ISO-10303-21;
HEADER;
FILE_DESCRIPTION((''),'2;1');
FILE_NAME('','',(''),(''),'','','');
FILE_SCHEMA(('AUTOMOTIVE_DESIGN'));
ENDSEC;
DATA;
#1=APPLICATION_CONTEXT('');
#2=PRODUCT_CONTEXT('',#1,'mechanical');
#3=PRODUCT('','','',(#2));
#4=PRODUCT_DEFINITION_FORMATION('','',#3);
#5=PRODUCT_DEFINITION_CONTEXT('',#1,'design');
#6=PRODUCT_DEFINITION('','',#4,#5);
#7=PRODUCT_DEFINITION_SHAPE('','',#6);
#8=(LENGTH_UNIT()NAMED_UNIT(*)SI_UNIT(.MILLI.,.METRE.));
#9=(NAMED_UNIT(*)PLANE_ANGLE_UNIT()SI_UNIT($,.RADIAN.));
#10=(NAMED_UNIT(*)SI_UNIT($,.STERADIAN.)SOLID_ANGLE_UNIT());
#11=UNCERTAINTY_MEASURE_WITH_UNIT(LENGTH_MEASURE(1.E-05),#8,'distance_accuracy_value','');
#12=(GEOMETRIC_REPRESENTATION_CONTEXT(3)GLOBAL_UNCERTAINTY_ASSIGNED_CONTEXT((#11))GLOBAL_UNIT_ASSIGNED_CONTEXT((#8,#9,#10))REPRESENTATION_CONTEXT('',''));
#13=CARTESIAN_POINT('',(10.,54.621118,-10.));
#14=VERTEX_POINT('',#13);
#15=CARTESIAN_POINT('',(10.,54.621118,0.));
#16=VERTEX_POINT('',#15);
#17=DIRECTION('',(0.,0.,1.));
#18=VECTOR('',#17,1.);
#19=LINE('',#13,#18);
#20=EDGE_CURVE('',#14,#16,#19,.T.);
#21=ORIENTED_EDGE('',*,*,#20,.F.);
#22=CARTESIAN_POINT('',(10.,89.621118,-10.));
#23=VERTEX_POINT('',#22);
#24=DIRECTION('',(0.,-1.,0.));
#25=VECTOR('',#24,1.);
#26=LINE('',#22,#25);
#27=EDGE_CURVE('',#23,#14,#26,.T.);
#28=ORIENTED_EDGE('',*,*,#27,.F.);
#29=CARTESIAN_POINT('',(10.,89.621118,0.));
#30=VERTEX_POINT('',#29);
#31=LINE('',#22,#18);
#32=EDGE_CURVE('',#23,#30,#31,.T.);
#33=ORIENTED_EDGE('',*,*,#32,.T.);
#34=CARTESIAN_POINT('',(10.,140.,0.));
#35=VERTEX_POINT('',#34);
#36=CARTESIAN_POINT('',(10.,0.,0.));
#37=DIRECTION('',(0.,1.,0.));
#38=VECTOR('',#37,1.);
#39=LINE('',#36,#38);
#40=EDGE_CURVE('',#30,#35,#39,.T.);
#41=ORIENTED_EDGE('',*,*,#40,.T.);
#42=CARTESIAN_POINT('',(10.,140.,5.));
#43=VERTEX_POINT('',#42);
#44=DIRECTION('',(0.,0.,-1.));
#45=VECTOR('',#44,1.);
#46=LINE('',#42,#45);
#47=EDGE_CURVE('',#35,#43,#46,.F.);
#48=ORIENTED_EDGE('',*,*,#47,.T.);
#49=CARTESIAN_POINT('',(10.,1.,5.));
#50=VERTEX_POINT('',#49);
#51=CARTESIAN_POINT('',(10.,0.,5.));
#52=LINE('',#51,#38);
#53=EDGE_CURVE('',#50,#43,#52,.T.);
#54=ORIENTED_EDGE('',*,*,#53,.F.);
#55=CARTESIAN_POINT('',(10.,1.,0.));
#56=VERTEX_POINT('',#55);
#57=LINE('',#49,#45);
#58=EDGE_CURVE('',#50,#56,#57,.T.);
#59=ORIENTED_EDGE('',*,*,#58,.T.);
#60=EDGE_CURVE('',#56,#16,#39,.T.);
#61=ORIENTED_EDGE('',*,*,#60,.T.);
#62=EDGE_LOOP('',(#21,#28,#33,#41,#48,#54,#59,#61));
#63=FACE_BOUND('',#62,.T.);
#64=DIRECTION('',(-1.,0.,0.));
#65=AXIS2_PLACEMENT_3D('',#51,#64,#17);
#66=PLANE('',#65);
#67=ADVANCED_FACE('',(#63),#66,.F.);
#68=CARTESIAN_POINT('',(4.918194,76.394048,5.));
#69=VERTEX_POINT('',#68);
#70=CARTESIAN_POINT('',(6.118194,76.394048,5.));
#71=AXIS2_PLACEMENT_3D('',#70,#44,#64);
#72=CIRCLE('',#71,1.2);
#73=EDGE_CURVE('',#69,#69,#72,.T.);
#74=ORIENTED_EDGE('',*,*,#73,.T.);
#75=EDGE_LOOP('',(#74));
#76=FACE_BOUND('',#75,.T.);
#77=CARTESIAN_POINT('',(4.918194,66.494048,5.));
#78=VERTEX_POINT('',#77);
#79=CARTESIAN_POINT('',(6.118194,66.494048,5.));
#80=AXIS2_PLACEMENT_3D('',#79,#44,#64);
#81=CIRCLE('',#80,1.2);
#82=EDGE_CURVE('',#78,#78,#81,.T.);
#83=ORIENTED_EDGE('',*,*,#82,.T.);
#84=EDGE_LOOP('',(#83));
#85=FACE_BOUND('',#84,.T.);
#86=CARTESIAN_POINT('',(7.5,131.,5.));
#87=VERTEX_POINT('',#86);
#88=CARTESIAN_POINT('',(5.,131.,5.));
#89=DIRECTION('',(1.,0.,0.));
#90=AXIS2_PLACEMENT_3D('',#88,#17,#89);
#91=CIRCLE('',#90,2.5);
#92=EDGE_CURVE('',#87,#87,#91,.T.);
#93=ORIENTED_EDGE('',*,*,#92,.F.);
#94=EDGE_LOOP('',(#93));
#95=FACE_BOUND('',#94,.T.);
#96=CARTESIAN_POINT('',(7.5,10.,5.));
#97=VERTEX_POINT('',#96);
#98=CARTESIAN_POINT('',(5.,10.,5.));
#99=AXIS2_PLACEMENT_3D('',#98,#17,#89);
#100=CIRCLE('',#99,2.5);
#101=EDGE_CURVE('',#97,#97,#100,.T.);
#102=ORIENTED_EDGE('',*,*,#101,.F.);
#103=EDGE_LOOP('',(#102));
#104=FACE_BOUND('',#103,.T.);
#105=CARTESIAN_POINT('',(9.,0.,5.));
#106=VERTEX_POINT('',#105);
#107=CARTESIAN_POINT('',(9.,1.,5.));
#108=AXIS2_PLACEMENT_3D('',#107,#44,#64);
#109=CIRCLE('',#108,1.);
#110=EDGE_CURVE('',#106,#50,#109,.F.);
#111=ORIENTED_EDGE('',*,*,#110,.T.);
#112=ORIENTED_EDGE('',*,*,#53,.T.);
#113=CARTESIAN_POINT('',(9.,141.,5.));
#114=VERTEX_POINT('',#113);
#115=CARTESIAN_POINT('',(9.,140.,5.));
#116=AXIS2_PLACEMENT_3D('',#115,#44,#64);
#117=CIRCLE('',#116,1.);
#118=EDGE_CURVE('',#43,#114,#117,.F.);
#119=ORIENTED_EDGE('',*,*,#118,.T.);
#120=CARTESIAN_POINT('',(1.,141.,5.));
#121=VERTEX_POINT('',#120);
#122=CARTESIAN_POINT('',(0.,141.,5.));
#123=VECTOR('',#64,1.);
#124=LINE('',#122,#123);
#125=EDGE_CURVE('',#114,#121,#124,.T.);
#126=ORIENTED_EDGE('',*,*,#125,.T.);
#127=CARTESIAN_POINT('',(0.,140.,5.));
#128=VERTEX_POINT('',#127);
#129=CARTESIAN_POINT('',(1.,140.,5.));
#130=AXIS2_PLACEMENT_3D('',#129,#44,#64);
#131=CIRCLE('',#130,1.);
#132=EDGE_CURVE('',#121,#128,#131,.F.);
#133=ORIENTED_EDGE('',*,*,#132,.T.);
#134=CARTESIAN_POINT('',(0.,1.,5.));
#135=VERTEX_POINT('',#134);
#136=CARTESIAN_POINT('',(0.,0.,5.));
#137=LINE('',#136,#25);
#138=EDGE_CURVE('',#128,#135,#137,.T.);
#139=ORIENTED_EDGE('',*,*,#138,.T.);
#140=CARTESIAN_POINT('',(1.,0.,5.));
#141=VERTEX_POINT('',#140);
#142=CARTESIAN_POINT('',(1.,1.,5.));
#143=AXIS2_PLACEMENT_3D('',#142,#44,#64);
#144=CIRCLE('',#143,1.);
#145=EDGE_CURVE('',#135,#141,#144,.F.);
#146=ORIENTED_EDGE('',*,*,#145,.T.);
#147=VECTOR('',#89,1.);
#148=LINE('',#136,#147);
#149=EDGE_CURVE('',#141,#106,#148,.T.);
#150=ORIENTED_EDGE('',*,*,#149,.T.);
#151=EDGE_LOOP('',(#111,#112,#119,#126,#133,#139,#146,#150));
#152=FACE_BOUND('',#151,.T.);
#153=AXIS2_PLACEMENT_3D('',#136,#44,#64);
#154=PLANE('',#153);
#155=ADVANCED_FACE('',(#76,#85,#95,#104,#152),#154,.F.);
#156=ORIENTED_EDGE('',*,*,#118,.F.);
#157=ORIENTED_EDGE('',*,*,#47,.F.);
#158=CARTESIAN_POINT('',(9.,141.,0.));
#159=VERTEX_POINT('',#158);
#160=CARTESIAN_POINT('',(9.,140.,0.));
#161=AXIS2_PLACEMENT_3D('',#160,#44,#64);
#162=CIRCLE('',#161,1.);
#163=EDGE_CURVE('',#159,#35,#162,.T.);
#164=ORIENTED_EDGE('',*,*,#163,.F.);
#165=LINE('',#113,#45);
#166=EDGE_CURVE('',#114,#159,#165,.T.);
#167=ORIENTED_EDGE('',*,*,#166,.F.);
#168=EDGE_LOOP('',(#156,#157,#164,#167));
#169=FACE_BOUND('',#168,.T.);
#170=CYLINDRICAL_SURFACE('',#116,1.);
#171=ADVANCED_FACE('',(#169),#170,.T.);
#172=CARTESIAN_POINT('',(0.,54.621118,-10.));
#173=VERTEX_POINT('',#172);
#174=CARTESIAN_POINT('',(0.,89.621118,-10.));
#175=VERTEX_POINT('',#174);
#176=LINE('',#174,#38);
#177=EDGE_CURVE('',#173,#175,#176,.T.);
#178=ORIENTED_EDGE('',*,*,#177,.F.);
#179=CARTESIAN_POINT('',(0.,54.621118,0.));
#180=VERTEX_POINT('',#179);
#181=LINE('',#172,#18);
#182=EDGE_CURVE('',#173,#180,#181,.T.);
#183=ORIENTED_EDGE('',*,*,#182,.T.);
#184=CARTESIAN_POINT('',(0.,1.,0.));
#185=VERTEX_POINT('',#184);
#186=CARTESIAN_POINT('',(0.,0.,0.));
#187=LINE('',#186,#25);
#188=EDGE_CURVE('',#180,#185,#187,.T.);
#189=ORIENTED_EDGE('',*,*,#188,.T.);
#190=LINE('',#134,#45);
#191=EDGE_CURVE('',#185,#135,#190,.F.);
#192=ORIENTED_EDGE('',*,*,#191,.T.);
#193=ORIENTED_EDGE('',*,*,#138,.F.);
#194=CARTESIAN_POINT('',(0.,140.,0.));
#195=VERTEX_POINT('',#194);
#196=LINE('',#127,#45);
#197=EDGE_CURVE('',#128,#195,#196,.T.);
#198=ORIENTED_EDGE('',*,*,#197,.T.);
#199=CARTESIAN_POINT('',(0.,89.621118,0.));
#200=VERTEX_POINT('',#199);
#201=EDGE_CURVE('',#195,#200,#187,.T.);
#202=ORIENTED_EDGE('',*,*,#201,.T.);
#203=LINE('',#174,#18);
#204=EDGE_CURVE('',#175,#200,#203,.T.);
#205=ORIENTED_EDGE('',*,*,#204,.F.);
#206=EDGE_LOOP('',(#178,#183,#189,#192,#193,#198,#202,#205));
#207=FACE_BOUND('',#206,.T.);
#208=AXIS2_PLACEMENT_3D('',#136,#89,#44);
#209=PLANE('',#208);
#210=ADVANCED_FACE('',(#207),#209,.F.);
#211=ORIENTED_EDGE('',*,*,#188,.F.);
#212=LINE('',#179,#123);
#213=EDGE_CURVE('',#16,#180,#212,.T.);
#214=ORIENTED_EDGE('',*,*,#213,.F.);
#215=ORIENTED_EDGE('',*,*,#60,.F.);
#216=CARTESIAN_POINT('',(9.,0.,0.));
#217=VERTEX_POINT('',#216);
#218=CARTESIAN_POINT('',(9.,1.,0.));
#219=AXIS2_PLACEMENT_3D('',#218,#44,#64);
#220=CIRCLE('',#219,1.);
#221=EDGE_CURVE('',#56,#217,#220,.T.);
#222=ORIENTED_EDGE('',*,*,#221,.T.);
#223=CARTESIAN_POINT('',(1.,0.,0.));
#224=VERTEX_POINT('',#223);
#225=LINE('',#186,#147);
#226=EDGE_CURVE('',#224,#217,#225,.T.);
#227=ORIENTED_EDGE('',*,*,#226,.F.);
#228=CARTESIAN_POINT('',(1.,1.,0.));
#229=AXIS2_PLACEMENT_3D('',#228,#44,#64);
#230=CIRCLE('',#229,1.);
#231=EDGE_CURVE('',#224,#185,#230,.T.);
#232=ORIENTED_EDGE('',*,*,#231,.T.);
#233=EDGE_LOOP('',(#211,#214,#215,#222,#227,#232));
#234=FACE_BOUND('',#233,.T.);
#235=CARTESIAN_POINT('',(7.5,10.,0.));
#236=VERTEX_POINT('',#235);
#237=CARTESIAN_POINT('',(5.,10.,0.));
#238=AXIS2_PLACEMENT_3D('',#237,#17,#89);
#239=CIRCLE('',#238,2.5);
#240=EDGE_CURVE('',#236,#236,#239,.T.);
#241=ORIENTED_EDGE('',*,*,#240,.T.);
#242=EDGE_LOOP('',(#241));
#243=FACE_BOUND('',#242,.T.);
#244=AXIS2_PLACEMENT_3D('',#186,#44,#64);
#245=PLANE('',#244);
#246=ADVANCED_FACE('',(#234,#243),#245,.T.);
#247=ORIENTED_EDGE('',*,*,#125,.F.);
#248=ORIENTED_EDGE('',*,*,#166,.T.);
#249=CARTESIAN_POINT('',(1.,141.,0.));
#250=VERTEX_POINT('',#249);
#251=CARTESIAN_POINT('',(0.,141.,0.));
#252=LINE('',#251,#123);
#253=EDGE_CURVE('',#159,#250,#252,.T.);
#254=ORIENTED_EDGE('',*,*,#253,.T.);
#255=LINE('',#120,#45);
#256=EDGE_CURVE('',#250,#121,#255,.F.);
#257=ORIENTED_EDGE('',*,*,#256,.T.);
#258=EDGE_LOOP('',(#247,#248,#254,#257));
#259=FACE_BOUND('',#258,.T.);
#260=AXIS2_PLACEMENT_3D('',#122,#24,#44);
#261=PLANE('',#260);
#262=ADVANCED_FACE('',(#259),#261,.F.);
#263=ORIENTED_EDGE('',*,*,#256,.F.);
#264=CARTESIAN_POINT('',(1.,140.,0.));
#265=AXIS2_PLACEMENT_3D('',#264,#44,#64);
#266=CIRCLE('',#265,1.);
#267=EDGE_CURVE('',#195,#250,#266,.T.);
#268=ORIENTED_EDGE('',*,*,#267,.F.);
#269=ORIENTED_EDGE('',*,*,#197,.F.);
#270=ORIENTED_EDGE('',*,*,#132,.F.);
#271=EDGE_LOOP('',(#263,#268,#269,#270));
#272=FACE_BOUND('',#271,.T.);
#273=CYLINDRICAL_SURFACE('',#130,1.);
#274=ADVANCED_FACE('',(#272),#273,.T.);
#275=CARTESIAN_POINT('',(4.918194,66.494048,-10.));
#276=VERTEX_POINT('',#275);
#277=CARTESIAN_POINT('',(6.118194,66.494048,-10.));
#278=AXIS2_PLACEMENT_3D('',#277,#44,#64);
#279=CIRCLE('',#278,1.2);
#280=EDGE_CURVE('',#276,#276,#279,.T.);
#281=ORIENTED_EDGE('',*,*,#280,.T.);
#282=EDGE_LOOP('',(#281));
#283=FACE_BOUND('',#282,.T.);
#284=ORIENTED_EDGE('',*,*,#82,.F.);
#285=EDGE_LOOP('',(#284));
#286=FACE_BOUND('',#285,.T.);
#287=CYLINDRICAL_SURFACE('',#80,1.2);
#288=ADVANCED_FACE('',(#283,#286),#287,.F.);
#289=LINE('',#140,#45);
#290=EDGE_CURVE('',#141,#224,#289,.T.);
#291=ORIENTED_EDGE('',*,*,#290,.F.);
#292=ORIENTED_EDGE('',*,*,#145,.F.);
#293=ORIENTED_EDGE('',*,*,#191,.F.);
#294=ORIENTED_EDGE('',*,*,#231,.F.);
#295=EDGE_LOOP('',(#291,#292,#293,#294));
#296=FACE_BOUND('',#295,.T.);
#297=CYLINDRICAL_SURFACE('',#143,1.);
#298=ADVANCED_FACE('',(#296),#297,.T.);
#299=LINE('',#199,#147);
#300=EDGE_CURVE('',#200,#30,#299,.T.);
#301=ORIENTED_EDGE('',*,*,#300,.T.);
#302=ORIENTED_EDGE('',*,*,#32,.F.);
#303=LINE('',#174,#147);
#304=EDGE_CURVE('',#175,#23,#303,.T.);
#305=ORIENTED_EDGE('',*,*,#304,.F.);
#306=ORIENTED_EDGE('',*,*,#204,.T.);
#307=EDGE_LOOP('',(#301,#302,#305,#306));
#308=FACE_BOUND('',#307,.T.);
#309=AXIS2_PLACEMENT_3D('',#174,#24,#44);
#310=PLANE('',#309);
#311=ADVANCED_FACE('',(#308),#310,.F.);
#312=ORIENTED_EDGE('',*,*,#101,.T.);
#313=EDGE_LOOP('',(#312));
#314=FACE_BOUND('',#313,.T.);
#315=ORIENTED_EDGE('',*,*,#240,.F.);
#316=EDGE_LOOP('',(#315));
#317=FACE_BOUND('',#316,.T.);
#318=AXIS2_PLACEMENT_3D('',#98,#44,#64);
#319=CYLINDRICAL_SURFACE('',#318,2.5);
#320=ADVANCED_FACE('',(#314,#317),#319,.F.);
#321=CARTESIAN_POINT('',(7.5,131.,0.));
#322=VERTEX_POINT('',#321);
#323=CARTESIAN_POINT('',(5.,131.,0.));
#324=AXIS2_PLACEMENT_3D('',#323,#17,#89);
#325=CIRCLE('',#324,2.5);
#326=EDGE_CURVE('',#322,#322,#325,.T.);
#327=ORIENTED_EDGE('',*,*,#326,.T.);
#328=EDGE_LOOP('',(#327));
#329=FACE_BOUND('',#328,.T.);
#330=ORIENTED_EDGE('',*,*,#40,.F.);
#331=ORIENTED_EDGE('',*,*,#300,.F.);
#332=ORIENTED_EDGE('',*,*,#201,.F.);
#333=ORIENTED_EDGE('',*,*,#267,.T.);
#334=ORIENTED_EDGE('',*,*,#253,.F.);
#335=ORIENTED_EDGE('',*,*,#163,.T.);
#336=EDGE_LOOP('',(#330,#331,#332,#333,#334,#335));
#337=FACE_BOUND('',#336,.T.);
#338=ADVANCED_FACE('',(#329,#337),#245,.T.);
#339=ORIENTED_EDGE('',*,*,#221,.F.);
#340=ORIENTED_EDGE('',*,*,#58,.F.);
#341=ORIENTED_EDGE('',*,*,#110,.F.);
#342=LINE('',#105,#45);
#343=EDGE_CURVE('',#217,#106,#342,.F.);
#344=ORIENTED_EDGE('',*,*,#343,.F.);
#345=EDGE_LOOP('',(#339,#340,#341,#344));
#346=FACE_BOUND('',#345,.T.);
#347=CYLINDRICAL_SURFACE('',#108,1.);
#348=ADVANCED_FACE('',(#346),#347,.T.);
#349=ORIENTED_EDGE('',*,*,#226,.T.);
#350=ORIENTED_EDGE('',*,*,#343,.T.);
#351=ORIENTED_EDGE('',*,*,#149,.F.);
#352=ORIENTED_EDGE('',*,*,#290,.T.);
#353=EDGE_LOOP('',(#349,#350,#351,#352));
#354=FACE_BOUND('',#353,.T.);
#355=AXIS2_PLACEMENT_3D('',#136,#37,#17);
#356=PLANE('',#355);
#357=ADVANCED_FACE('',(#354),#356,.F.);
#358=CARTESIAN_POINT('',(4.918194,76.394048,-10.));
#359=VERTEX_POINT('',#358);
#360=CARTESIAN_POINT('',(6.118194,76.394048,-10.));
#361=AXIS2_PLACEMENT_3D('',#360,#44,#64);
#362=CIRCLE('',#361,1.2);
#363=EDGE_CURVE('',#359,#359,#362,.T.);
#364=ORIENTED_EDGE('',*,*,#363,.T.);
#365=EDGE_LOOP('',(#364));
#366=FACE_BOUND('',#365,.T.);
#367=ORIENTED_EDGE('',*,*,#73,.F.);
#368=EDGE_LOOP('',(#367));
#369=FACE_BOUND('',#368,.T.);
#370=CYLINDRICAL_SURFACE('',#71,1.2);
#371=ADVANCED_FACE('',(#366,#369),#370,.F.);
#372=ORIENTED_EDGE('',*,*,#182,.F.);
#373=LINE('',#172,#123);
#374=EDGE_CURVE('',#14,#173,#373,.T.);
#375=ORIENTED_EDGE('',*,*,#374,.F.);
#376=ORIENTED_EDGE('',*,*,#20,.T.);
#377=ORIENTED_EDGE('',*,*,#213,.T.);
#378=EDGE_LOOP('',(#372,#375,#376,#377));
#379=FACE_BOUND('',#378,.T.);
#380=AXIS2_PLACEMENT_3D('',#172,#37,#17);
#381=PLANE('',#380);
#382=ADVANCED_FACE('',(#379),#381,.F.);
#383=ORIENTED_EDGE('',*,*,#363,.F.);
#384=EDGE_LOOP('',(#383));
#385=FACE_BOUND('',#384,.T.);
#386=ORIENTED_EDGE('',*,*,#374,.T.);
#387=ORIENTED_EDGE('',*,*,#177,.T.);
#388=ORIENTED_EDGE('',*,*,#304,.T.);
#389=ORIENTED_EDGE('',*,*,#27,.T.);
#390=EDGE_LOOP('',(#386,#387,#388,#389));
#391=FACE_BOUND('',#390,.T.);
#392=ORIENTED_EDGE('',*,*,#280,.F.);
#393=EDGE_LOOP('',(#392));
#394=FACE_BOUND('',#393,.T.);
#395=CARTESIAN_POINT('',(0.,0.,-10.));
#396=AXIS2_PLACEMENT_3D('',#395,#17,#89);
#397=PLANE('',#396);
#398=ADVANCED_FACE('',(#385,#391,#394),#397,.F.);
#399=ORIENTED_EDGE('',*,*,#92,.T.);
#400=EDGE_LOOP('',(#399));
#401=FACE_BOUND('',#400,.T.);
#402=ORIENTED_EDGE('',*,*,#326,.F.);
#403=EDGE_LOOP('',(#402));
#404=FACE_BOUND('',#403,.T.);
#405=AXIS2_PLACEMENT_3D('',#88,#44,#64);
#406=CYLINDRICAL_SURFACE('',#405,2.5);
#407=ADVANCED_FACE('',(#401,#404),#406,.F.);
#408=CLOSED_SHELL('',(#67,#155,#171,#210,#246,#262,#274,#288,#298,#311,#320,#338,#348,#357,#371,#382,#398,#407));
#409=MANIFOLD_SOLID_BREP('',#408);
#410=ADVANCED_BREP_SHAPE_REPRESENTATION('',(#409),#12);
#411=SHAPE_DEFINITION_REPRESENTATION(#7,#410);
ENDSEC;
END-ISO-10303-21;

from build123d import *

# Parameters (mm, degrees)
SKETCH1_W           = 10
SKETCH1_H           = 141
SKETCH1_R           = 2.5
BOSS_EXTRUDE1_DEPTH = 5
SKETCH3_W           = 10
SKETCH3_H           = 35
BOSS_EXTRUDE3_DEPTH = 10
SKETCH4_R           = 1.2
CUT_EXTRUDE1_DEPTH  = 15
FILLET1_R           = 1


with BuildPart() as part:
    # Sketch1 → Boss-Extrude1 (new body)
    with BuildSketch(Plane.XY):
        with Locations((5, 70.5)):
            Rectangle(SKETCH1_W, SKETCH1_H)
        with Locations((5, 131)):
            Circle(SKETCH1_R, mode=Mode.SUBTRACT)
        with Locations((5, 10)):
            Circle(SKETCH1_R, mode=Mode.SUBTRACT)
    extrude(amount=BOSS_EXTRUDE1_DEPTH)

    # Sketch3 → Boss-Extrude3 (add)
    with BuildSketch(Plane(origin=(0, 0, 0), x_dir=(-1, 0, 0), z_dir=(0, 0, -1))):
        with Locations((-5, 72.121118493)):
            Rectangle(SKETCH3_W, SKETCH3_H)
    extrude(amount=BOSS_EXTRUDE3_DEPTH)

    # Sketch4 → Cut-Extrude1 (cut)
    with BuildSketch(Plane(origin=(0, 0, -10), x_dir=(-1, 0, 0), z_dir=(0, 0, -1))):
        with Locations((-6.118193933, 66.494048402)):
            Circle(SKETCH4_R)
        with Locations((-6.118193933, 76.394048402)):
            Circle(SKETCH4_R)
    extrude(amount=-CUT_EXTRUDE1_DEPTH, mode=Mode.SUBTRACT)

    # Fillet1
    fillet1_edges = [part.edges().sort_by_distance(p)[0] for p in [
        (0, 141, 2.5),
        (10, 141, 2.5),
        (10, 0, 2.5),
        (0, 0, 2.5),
    ]]
    fillet(fillet1_edges, radius=FILLET1_R)


solid = part.part
